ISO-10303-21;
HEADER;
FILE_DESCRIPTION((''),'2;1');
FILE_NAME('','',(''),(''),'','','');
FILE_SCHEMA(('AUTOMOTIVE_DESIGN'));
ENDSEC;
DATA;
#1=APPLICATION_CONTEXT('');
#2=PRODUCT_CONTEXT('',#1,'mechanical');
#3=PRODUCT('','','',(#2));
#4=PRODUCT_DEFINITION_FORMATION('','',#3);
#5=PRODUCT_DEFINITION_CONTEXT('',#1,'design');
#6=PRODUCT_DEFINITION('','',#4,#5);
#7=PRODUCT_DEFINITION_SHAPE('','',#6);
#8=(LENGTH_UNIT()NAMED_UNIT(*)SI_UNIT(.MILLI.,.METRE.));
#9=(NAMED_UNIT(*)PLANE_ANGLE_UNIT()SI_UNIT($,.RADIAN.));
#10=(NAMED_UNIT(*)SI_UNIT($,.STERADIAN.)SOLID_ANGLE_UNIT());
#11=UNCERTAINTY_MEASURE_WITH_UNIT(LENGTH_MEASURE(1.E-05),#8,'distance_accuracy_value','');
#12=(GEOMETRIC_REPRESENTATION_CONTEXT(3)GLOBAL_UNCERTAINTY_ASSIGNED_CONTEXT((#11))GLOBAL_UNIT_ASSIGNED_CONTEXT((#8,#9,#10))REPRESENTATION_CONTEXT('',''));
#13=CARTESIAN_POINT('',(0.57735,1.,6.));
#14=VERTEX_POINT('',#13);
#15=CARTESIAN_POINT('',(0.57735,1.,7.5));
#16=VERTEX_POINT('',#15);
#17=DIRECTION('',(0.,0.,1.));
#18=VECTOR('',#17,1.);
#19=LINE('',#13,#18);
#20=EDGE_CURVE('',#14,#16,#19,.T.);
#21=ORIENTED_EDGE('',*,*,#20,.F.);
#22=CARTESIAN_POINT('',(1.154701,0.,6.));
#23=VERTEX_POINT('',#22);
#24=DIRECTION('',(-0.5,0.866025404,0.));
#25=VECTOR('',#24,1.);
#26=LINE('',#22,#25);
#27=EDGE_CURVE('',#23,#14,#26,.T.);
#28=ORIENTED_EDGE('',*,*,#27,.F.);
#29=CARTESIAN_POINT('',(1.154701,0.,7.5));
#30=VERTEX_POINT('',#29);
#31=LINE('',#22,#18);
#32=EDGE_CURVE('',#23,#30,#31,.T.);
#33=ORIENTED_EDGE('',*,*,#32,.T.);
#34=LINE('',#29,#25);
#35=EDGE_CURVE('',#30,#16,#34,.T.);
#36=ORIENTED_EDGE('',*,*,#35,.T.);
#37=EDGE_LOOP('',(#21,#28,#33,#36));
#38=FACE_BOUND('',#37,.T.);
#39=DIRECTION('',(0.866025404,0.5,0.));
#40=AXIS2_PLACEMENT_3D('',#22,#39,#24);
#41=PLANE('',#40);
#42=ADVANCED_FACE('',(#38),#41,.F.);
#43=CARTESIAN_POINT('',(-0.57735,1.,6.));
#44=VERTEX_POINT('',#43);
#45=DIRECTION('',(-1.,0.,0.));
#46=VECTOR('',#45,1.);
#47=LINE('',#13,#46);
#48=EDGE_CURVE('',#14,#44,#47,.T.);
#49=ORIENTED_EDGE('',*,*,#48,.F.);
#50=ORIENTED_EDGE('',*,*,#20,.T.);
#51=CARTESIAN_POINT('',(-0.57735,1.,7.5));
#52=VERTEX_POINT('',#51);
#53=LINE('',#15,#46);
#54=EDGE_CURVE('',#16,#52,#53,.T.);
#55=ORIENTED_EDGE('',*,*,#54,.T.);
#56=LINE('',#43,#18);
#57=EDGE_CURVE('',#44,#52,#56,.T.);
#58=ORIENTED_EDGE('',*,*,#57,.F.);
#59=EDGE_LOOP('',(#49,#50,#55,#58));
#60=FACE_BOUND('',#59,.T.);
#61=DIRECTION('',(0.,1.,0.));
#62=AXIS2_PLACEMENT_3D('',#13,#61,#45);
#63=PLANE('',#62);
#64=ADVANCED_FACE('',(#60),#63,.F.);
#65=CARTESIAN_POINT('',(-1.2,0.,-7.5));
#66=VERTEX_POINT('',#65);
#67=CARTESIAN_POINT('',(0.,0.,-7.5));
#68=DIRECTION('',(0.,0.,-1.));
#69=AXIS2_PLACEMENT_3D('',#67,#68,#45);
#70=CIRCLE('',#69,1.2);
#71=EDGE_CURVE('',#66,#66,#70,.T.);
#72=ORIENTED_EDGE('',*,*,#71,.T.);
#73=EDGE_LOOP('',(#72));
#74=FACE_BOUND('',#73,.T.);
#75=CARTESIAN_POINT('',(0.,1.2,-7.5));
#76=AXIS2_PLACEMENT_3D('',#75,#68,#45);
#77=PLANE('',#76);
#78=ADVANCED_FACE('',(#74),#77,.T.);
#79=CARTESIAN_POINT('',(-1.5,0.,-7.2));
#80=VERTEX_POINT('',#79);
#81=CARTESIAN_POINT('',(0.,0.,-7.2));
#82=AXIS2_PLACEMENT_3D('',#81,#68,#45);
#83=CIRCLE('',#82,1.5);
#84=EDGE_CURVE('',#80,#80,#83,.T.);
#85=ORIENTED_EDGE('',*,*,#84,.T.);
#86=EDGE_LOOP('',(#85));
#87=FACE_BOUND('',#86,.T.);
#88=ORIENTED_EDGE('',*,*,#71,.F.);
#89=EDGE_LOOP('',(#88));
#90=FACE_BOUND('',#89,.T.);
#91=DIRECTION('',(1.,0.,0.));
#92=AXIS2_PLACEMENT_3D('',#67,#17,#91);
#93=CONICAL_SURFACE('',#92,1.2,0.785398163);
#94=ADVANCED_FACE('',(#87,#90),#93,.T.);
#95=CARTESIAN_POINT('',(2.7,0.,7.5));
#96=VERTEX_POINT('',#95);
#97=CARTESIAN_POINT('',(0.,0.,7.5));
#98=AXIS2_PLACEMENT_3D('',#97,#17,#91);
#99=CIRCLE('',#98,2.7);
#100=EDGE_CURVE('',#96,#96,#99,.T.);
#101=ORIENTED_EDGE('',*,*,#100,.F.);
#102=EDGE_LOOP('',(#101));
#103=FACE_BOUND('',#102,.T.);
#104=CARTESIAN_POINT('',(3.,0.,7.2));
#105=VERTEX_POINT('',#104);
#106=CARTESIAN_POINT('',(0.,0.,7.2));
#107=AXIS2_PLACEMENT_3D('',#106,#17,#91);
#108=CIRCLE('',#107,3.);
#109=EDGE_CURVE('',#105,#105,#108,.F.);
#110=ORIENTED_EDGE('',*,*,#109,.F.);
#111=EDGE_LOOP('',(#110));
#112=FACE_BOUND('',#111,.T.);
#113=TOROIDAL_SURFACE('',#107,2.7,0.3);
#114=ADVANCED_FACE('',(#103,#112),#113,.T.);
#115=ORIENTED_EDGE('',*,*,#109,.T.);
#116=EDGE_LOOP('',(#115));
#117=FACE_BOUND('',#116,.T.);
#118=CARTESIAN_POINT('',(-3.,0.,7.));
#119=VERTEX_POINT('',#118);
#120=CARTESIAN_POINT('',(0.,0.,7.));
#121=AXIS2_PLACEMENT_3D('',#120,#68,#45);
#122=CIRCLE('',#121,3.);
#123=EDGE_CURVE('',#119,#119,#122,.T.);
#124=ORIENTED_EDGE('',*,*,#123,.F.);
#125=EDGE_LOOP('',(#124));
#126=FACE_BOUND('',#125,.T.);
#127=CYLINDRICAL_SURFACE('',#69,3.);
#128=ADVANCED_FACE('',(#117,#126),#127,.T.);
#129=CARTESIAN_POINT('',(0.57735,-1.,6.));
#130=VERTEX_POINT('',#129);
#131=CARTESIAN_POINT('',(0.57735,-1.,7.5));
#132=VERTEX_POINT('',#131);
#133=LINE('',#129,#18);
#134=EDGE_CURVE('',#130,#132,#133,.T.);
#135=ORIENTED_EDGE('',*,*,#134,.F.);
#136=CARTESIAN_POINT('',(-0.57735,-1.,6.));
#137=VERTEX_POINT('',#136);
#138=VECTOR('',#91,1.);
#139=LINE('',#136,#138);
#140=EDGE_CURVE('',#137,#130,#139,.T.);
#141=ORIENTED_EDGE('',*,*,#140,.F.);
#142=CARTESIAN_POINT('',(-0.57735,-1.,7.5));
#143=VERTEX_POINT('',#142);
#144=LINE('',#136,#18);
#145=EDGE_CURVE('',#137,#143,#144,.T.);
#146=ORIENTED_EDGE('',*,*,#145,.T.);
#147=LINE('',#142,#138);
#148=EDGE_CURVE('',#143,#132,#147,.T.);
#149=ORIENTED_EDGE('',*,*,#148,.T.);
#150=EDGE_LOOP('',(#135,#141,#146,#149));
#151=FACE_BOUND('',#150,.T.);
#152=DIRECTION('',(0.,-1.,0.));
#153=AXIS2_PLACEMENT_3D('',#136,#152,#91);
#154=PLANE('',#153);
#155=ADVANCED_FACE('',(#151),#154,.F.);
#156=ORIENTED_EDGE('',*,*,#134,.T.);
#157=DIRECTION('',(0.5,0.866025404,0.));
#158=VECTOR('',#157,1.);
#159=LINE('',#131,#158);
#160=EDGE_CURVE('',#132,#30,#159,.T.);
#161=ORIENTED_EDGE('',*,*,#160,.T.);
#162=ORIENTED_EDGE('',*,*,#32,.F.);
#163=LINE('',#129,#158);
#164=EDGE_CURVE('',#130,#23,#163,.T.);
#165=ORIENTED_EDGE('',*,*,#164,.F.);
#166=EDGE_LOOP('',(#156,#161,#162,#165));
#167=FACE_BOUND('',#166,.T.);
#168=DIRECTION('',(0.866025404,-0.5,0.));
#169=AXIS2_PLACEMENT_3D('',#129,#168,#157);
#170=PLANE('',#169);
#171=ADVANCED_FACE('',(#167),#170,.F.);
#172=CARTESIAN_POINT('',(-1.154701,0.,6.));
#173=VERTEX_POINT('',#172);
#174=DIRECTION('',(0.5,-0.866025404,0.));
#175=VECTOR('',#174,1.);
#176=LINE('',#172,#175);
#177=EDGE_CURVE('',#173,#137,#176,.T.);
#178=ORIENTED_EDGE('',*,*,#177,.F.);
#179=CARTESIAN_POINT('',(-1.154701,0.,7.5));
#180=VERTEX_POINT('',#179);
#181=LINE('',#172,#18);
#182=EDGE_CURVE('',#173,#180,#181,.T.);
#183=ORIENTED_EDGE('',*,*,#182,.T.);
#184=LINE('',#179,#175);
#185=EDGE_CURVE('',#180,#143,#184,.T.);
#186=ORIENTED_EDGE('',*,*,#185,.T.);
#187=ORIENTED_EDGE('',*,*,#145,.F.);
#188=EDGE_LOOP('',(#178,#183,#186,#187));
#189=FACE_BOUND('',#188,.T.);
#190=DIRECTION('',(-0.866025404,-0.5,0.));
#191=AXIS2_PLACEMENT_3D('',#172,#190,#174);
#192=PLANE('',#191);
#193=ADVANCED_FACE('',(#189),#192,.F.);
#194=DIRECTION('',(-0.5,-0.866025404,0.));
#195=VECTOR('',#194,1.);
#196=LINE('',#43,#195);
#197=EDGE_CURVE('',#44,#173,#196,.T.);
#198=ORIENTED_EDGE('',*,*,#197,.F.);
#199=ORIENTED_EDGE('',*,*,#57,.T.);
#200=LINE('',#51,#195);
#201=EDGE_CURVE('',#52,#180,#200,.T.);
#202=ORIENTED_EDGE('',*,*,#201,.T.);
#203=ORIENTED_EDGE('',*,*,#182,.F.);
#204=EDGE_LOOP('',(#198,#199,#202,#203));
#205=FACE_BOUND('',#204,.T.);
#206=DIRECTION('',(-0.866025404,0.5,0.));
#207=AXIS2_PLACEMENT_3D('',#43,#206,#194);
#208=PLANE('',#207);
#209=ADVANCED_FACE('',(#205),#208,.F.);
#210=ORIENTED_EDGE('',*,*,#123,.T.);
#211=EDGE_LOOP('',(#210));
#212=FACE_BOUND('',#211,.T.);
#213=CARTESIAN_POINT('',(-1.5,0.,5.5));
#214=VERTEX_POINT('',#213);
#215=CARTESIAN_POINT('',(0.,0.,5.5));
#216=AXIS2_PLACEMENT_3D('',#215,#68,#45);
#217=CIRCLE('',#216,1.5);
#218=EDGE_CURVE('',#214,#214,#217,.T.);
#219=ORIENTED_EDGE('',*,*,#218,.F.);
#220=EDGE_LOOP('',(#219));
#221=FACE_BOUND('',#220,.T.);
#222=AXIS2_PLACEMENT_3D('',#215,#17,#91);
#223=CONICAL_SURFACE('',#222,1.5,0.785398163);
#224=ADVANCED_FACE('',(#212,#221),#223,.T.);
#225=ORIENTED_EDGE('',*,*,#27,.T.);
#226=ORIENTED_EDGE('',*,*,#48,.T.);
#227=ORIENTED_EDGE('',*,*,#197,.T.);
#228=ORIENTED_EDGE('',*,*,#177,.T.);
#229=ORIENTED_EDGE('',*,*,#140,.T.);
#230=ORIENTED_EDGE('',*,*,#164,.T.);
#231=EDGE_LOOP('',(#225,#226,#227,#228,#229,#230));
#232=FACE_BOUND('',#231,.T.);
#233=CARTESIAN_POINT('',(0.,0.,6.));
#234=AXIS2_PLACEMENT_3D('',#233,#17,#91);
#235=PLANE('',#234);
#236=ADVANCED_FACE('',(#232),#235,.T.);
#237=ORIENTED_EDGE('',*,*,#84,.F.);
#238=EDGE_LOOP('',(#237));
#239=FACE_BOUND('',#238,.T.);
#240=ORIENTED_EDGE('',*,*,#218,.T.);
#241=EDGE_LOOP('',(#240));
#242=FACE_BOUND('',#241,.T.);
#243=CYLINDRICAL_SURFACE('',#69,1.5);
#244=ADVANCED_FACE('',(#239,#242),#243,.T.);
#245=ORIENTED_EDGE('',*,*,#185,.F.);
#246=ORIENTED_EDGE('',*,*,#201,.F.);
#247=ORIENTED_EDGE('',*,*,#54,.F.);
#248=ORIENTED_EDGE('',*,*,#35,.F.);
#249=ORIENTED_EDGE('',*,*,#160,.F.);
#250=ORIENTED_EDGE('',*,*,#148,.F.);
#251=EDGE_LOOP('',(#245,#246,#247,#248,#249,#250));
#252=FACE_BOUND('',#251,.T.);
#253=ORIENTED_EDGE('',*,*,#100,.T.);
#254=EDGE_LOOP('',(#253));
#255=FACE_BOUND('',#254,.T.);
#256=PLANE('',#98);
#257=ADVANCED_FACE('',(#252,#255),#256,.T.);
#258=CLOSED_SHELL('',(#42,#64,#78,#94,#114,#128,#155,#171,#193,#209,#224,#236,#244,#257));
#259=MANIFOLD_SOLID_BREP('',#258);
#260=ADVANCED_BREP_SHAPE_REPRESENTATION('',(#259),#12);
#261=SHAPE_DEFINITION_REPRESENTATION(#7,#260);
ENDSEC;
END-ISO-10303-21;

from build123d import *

# Parameters (mm, degrees)
CUT_EXTRUDE_1_DEPTH = 1.5
FILLET_1_R          = 0.3


with BuildPart() as part:
    # 草图1 → 旋转1 (revolve)
    with BuildSketch(Plane(origin=(0, 0, 0), x_dir=(0, 0, -1), z_dir=(1, 0, 0)), mode=Mode.PRIVATE) as revolve_1_sk:
        Polygon((-7.5, 0), (-7.5, 3), (-7, 3), (-5.5, 1.5), (7.2, 1.5), (7.5, 1.2), (7.5, 0), align=None)
    revolve(revolve_1_sk.sketch.rotate(Axis((0, 0, -7.5), (0, 0, 1)), 90), axis=Axis((0, 0, -7.5), (0, 0, 1)))

    # 草图2 → 切除-拉伸1 (cut)
    with BuildSketch(Plane.XY.offset(7.5)):
        Polygon((1.154700538, 0), (0.577350269, 1), (-0.577350269, 1), (-1.154700538, 0), (-0.577350269, -1), (0.577350269, -1), align=None)
    extrude(amount=-CUT_EXTRUDE_1_DEPTH, mode=Mode.SUBTRACT)

    # 圆角1
    fillet_1_edges = [part.edges().sort_by_distance(p)[0] for p in [
        (3, 0, 7.5),
    ]]
    fillet(fillet_1_edges, radius=FILLET_1_R)


solid = part.part
